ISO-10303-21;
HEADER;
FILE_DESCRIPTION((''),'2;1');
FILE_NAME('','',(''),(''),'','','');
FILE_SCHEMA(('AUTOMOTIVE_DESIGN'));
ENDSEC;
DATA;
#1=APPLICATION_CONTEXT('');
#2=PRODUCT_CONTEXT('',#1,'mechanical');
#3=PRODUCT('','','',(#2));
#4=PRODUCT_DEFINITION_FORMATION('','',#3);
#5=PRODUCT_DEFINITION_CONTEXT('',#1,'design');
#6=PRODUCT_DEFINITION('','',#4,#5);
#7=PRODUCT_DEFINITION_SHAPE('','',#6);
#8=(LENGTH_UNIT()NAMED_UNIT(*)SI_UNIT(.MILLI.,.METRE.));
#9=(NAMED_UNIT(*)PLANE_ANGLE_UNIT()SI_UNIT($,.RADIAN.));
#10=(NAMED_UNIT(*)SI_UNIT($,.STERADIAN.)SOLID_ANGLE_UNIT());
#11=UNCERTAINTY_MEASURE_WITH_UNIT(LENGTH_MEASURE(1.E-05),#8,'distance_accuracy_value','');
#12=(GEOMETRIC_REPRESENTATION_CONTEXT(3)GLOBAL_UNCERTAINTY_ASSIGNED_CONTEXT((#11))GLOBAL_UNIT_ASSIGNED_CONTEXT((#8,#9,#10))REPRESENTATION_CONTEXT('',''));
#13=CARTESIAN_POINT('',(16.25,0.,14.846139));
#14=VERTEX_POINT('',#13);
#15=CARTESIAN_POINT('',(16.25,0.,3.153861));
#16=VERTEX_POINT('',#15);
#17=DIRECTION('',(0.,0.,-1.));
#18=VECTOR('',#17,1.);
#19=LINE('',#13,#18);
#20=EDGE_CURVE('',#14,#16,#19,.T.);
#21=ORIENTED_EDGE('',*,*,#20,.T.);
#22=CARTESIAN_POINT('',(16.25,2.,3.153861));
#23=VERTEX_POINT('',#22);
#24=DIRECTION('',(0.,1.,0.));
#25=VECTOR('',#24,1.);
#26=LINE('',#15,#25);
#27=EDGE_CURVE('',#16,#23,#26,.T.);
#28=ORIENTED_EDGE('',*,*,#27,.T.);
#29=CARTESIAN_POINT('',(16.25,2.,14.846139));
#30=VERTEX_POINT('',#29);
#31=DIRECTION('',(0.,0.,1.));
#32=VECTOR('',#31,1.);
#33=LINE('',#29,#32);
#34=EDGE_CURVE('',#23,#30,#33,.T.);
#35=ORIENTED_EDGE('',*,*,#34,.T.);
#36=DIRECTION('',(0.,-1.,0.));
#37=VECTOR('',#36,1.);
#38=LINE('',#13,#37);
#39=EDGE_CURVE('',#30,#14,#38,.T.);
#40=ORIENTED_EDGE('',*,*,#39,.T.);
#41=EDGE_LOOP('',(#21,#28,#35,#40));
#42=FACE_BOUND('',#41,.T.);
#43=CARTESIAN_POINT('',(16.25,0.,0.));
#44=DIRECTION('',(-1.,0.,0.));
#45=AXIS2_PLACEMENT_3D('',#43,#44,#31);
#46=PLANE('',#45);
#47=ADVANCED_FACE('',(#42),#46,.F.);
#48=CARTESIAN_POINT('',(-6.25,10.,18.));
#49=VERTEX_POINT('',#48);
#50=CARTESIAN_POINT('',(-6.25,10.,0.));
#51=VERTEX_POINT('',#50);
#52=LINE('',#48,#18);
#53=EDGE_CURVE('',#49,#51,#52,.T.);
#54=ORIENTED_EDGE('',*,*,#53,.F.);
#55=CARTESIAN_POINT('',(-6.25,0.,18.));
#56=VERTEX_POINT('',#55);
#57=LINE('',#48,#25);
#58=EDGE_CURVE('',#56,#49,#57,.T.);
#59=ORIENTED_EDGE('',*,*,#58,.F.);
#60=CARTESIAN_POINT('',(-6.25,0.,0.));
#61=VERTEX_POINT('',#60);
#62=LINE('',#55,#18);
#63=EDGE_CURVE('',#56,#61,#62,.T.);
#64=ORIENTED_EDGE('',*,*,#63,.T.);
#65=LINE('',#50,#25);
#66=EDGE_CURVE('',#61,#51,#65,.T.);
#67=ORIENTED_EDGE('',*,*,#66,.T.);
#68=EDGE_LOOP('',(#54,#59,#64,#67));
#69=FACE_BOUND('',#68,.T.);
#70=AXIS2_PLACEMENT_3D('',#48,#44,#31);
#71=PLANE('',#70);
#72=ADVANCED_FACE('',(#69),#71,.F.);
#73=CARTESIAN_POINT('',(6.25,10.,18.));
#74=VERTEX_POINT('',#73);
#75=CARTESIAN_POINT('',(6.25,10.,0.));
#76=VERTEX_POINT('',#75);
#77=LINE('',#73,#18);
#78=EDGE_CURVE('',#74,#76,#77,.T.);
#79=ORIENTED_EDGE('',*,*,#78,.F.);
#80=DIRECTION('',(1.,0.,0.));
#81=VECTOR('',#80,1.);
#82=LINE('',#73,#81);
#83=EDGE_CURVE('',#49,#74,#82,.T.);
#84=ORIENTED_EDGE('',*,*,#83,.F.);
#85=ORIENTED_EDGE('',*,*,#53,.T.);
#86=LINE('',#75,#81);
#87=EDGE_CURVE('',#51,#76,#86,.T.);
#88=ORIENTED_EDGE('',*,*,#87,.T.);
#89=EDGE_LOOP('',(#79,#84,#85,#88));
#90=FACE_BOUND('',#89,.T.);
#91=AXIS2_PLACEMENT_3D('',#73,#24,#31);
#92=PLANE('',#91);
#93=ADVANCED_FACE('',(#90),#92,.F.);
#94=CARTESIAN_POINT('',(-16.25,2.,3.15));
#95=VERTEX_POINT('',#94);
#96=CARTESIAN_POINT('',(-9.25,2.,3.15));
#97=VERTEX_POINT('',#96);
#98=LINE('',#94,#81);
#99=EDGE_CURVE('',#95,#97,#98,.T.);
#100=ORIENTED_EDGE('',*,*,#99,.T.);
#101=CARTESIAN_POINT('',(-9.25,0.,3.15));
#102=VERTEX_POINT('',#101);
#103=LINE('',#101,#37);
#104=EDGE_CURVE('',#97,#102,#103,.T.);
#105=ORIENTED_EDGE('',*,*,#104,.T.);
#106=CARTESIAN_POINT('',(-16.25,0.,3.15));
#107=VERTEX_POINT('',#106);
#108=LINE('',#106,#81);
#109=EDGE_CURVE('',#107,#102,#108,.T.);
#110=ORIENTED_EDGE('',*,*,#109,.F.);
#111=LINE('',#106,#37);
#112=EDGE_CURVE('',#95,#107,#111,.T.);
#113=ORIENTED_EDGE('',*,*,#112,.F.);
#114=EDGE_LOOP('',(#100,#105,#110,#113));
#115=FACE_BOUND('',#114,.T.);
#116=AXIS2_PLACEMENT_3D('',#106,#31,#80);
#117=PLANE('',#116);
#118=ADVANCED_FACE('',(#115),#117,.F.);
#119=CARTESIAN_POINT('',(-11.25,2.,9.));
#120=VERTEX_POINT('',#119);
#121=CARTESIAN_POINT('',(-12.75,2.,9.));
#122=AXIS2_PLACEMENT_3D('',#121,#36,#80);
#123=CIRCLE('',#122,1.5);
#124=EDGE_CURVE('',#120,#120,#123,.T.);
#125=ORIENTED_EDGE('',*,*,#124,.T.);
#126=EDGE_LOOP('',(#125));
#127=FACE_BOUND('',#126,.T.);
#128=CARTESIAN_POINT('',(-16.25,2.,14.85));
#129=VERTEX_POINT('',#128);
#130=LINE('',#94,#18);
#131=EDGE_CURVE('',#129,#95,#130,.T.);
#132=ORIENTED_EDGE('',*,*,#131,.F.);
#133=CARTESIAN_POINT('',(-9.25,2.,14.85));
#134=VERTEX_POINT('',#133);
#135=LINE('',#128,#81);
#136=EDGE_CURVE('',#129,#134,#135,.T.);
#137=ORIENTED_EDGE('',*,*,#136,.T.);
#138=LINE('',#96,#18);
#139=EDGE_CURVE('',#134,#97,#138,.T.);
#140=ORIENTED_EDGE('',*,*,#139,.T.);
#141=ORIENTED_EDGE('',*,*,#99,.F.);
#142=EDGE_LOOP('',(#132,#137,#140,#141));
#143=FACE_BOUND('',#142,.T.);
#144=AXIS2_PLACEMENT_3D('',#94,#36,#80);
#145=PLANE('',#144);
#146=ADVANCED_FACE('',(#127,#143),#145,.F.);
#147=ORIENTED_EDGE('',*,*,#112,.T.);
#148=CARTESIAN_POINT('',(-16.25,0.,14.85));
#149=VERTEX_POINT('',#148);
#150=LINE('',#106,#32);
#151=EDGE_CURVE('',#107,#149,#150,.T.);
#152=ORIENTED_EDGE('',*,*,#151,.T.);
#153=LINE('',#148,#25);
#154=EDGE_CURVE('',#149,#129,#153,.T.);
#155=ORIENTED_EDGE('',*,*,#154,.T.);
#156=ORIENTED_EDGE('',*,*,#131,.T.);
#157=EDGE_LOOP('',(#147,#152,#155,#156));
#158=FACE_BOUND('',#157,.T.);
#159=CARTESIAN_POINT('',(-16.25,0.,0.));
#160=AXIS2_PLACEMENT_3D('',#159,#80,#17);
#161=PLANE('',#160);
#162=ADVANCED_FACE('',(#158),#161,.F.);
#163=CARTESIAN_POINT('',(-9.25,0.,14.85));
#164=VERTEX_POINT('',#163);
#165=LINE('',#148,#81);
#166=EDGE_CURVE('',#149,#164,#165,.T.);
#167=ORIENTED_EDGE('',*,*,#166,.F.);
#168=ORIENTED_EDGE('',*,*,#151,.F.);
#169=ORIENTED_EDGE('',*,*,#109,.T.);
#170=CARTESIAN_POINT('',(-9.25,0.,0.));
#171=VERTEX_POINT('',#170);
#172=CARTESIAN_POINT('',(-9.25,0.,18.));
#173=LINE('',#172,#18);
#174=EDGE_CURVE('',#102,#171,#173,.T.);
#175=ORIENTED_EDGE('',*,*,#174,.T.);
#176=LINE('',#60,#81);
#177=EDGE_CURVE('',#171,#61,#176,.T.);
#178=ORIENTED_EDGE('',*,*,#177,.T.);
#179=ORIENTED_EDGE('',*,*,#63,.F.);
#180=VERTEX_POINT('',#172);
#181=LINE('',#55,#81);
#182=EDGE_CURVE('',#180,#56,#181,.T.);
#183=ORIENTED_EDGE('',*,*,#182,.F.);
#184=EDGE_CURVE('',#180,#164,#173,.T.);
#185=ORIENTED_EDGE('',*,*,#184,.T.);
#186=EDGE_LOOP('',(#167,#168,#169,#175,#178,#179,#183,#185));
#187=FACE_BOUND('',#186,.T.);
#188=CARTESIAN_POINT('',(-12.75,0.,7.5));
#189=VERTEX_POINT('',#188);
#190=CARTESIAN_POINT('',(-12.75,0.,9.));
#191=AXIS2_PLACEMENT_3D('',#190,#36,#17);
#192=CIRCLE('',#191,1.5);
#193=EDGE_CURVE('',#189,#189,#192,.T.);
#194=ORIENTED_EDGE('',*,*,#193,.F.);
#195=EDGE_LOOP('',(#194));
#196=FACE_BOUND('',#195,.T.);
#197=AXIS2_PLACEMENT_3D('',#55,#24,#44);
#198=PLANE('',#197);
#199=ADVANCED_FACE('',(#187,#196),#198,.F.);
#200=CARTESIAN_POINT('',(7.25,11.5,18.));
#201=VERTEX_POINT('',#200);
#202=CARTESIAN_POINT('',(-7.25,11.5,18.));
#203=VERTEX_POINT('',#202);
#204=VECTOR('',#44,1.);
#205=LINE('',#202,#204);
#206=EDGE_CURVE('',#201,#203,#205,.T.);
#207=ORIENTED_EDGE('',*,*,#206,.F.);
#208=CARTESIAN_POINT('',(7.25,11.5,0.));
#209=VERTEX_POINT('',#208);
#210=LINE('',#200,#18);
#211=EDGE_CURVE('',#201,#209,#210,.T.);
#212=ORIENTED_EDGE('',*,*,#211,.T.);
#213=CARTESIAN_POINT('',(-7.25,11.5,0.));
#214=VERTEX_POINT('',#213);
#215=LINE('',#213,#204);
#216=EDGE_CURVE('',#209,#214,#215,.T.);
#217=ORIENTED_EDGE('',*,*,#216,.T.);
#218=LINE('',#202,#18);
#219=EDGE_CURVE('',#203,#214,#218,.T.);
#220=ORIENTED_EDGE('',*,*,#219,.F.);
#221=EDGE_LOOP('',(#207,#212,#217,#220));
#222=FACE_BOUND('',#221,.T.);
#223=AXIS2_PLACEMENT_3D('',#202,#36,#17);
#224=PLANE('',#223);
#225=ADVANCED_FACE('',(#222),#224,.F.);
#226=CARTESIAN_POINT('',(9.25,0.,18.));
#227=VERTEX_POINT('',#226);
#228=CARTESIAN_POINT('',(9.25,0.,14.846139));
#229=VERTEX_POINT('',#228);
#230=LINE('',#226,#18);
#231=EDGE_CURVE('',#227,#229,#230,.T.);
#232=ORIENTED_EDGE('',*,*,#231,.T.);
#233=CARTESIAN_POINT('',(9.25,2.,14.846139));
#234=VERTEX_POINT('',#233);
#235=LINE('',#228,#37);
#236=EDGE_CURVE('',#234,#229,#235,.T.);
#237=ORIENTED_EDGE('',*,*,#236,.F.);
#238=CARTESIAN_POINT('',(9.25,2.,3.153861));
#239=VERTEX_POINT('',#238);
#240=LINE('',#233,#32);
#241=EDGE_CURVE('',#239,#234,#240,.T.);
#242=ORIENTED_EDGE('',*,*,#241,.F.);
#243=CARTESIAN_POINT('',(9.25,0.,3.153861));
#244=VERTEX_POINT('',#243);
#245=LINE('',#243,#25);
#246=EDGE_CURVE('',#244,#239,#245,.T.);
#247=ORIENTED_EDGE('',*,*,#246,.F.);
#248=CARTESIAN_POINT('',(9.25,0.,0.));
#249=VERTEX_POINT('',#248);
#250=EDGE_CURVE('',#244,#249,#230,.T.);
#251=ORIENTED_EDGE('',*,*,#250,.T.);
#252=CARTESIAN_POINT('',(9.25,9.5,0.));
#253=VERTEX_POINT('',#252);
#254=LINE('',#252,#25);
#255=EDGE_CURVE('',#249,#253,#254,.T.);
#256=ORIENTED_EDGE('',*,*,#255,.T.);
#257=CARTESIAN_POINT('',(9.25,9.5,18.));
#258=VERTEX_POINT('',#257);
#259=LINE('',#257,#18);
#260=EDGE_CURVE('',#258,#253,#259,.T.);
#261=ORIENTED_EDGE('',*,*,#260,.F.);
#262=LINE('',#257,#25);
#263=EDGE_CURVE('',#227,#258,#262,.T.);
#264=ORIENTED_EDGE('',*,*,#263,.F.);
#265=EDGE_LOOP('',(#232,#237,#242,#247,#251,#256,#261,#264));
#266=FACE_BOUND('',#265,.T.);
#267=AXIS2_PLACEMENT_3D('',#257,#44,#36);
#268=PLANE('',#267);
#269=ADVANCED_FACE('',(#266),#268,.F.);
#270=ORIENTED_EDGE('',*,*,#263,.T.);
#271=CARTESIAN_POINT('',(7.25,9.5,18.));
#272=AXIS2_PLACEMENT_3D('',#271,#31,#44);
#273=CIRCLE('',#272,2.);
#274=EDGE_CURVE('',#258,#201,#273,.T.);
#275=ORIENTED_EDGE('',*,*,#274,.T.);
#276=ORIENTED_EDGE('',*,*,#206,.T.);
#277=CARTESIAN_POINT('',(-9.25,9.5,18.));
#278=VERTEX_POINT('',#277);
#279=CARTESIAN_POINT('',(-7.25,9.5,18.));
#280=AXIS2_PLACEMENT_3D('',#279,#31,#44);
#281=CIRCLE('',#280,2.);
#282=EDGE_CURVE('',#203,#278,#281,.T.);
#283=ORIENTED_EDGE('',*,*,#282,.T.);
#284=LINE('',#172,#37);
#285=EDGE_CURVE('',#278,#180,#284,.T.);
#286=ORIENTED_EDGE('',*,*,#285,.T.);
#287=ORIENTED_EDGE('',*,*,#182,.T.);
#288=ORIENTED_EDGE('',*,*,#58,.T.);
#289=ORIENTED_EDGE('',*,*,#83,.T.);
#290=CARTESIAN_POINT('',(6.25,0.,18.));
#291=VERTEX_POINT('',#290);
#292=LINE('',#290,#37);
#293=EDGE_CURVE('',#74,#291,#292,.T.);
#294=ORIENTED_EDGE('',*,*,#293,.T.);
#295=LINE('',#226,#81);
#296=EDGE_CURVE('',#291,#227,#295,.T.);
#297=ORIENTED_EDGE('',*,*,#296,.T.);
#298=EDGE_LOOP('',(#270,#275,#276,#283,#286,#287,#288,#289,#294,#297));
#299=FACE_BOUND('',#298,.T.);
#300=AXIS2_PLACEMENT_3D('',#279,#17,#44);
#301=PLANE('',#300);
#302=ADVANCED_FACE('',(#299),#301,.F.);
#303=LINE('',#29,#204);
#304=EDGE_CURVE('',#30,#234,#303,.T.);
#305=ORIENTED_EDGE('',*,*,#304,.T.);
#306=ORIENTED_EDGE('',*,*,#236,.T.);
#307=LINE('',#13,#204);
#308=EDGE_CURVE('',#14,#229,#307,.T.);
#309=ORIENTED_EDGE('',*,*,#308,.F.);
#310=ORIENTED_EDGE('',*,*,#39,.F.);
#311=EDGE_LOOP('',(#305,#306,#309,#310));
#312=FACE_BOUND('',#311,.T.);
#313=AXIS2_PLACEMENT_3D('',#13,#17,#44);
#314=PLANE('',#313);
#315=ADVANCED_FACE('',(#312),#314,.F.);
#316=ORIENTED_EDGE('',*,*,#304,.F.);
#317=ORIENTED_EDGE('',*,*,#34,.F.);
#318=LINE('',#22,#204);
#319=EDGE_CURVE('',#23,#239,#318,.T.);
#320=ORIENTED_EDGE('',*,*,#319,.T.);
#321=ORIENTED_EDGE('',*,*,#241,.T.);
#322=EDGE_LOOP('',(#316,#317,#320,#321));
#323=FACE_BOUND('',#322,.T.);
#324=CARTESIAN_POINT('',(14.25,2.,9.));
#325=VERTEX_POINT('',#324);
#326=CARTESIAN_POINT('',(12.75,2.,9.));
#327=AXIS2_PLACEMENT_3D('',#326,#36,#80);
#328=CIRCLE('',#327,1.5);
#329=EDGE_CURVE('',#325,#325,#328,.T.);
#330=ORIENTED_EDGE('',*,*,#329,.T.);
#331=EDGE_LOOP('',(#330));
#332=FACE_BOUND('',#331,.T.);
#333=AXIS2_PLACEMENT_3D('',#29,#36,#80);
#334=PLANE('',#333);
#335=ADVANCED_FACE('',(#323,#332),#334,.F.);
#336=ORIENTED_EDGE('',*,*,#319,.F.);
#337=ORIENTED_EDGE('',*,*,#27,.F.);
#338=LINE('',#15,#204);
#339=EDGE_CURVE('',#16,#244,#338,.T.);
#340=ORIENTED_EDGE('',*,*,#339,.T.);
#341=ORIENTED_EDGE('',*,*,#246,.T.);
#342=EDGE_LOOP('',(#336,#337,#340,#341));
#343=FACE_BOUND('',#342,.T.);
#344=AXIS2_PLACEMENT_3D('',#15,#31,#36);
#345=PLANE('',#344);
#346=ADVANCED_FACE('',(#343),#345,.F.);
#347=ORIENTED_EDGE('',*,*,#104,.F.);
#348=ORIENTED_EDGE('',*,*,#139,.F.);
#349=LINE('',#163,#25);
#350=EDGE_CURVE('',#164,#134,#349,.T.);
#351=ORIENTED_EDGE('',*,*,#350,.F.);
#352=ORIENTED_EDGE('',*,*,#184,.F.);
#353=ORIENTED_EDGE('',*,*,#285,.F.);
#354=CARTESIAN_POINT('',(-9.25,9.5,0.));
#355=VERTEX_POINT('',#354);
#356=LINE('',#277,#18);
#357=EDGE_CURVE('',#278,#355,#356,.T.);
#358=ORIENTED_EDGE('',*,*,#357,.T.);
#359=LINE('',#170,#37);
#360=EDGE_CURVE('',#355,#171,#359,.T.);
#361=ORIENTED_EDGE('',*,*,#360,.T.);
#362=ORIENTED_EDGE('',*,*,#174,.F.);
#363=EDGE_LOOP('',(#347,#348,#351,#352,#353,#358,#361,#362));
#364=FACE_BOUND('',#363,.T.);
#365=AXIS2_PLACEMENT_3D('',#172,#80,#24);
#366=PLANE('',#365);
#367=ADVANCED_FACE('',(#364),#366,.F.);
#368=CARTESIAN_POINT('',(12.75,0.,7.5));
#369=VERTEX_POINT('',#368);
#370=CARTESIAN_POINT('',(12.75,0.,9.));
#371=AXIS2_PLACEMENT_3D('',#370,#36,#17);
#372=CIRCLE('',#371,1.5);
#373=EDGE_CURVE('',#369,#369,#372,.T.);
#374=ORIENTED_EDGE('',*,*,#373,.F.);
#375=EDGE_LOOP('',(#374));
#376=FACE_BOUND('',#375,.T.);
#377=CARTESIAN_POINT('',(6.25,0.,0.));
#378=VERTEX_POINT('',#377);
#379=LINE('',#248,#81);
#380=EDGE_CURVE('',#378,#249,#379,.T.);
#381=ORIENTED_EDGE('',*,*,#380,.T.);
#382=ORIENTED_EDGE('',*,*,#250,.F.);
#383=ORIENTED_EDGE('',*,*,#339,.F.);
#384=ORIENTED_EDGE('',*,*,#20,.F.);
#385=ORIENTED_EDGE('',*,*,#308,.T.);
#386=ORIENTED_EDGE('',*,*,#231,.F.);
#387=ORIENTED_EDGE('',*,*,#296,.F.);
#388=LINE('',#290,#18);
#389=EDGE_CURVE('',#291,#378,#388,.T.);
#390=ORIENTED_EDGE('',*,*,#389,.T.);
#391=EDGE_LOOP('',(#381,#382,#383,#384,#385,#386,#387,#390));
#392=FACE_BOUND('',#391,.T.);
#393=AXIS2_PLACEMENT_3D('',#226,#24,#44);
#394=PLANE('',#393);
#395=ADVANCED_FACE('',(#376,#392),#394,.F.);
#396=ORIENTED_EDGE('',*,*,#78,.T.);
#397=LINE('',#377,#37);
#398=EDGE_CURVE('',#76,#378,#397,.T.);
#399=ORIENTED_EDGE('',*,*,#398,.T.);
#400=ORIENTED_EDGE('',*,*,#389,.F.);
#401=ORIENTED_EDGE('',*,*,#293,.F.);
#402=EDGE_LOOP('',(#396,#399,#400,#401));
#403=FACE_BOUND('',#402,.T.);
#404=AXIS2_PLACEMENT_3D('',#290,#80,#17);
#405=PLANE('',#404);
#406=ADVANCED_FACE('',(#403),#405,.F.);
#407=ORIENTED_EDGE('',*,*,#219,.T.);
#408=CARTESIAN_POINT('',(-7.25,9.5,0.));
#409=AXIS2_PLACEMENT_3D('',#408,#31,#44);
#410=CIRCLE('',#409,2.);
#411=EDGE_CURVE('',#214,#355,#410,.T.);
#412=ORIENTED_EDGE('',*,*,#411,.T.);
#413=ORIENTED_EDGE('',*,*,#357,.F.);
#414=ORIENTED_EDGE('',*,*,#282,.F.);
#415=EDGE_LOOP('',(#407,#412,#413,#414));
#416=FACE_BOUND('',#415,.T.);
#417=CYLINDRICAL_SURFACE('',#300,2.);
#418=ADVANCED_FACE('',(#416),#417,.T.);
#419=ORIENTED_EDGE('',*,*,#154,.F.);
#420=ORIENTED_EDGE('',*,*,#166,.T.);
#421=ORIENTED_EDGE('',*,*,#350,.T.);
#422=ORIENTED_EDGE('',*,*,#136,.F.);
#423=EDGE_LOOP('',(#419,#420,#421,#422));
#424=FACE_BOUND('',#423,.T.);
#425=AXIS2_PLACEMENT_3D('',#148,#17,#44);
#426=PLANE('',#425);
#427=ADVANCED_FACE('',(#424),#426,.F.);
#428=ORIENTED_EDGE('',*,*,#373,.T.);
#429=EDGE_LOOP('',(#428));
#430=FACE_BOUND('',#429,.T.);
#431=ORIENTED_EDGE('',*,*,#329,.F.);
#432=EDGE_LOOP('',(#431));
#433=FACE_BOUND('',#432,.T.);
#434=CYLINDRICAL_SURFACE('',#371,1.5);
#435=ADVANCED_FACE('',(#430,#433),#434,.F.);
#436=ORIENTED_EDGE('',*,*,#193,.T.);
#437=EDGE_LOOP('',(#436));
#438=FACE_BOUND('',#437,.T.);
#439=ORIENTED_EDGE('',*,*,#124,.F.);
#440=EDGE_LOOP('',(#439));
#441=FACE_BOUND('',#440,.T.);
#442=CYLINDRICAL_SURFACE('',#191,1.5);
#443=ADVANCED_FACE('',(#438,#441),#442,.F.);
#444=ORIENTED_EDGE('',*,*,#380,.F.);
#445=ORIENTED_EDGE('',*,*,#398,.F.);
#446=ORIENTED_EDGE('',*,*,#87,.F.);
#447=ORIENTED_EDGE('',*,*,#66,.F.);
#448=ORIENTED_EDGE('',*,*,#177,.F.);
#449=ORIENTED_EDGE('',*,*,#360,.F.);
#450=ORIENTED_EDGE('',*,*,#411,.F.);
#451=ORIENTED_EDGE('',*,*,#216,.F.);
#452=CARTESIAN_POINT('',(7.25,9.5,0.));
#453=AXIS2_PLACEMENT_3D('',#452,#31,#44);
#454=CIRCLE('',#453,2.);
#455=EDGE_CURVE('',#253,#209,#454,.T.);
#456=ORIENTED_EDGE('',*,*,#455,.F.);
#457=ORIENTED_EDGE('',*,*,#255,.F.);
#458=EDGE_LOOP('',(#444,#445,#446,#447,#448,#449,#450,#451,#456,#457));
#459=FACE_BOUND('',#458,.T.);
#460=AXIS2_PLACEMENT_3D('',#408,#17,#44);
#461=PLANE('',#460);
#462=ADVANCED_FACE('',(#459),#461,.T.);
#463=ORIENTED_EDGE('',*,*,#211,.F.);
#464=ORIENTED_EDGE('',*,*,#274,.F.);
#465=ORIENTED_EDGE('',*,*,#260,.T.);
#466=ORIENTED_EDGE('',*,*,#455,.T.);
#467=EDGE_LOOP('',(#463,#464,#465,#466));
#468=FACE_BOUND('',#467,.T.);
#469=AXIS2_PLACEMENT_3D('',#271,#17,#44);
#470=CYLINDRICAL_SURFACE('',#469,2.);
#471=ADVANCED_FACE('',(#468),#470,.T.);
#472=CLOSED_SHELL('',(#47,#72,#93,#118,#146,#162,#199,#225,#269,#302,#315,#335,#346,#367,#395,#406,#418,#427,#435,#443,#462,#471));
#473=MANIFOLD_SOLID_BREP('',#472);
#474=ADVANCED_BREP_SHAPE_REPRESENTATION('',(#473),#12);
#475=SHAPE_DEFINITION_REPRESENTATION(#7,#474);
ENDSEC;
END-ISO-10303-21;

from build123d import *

# Parameters (mm, degrees)
BOSS_EXTRUDE1_DEPTH       = 18
SKETCH3_W                 = 11.692277346
SKETCH3_H                 = 2
BOSS_EXTRUDE2_DEPTH       = 7
SKETCH4_W                 = 11.7
SKETCH4_H                 = 2
BOSS_EXTRUDE3_DEPTH       = 7
F_3_0MM_DOWEL_HOLE1_D     = 3
F_3_0MM_DOWEL_HOLE1_DEPTH = 12
F_3_0MM_DOWEL_HOLE1_TIP   = 0.901290929


with BuildPart() as part:
    # Sketch2 → Boss-Extrude1 (new body)
    with BuildSketch(Plane.XY):
        with BuildLine():
            Line((-9.25, 0), (-9.25, 9.5))
            ThreePointArc((-9.25, 9.5), (-8.664213562, 10.914213562), (-7.25, 11.5))
            Line((-7.25, 11.5), (7.25, 11.5))
            ThreePointArc((7.25, 11.5), (8.664213562, 10.914213562), (9.25, 9.5))
            Line((9.25, 9.5), (9.25, 0))
            Line((9.25, 0), (6.25, 0))
            Line((6.25, 0), (6.25, 10))
            Line((6.25, 10), (-6.25, 10))
            Line((-6.25, 10), (-6.25, 0))
            Line((-6.25, 0), (-9.25, 0))
        make_face()
    extrude(amount=BOSS_EXTRUDE1_DEPTH)

    # Sketch3 → Boss-Extrude2 (add)
    with BuildSketch(Plane(origin=(9.25, 0, 0), x_dir=(0, 0, -1), z_dir=(1, 0, 0))):
        with Locations((-9, 1)):
            Rectangle(SKETCH3_W, SKETCH3_H)
    extrude(amount=BOSS_EXTRUDE2_DEPTH)

    # Sketch4 → Boss-Extrude3 (add)
    with BuildSketch(Plane.ZY.offset(9.25)):
        with Locations((9, 1)):
            Rectangle(SKETCH4_W, SKETCH4_H)
    extrude(amount=BOSS_EXTRUDE3_DEPTH)

    # Ø3.0mm Dowel Hole1
    with Locations(Plane.XZ):
        with Locations((12.75, 9), (-12.75, 9)):
            Hole(F_3_0MM_DOWEL_HOLE1_D / 2, depth=F_3_0MM_DOWEL_HOLE1_DEPTH)
            with Locations((0, 0, -(F_3_0MM_DOWEL_HOLE1_DEPTH + F_3_0MM_DOWEL_HOLE1_TIP / 2))):  # 118° drill point
                Cone(0, F_3_0MM_DOWEL_HOLE1_D / 2, F_3_0MM_DOWEL_HOLE1_TIP, mode=Mode.SUBTRACT)


solid = part.part
